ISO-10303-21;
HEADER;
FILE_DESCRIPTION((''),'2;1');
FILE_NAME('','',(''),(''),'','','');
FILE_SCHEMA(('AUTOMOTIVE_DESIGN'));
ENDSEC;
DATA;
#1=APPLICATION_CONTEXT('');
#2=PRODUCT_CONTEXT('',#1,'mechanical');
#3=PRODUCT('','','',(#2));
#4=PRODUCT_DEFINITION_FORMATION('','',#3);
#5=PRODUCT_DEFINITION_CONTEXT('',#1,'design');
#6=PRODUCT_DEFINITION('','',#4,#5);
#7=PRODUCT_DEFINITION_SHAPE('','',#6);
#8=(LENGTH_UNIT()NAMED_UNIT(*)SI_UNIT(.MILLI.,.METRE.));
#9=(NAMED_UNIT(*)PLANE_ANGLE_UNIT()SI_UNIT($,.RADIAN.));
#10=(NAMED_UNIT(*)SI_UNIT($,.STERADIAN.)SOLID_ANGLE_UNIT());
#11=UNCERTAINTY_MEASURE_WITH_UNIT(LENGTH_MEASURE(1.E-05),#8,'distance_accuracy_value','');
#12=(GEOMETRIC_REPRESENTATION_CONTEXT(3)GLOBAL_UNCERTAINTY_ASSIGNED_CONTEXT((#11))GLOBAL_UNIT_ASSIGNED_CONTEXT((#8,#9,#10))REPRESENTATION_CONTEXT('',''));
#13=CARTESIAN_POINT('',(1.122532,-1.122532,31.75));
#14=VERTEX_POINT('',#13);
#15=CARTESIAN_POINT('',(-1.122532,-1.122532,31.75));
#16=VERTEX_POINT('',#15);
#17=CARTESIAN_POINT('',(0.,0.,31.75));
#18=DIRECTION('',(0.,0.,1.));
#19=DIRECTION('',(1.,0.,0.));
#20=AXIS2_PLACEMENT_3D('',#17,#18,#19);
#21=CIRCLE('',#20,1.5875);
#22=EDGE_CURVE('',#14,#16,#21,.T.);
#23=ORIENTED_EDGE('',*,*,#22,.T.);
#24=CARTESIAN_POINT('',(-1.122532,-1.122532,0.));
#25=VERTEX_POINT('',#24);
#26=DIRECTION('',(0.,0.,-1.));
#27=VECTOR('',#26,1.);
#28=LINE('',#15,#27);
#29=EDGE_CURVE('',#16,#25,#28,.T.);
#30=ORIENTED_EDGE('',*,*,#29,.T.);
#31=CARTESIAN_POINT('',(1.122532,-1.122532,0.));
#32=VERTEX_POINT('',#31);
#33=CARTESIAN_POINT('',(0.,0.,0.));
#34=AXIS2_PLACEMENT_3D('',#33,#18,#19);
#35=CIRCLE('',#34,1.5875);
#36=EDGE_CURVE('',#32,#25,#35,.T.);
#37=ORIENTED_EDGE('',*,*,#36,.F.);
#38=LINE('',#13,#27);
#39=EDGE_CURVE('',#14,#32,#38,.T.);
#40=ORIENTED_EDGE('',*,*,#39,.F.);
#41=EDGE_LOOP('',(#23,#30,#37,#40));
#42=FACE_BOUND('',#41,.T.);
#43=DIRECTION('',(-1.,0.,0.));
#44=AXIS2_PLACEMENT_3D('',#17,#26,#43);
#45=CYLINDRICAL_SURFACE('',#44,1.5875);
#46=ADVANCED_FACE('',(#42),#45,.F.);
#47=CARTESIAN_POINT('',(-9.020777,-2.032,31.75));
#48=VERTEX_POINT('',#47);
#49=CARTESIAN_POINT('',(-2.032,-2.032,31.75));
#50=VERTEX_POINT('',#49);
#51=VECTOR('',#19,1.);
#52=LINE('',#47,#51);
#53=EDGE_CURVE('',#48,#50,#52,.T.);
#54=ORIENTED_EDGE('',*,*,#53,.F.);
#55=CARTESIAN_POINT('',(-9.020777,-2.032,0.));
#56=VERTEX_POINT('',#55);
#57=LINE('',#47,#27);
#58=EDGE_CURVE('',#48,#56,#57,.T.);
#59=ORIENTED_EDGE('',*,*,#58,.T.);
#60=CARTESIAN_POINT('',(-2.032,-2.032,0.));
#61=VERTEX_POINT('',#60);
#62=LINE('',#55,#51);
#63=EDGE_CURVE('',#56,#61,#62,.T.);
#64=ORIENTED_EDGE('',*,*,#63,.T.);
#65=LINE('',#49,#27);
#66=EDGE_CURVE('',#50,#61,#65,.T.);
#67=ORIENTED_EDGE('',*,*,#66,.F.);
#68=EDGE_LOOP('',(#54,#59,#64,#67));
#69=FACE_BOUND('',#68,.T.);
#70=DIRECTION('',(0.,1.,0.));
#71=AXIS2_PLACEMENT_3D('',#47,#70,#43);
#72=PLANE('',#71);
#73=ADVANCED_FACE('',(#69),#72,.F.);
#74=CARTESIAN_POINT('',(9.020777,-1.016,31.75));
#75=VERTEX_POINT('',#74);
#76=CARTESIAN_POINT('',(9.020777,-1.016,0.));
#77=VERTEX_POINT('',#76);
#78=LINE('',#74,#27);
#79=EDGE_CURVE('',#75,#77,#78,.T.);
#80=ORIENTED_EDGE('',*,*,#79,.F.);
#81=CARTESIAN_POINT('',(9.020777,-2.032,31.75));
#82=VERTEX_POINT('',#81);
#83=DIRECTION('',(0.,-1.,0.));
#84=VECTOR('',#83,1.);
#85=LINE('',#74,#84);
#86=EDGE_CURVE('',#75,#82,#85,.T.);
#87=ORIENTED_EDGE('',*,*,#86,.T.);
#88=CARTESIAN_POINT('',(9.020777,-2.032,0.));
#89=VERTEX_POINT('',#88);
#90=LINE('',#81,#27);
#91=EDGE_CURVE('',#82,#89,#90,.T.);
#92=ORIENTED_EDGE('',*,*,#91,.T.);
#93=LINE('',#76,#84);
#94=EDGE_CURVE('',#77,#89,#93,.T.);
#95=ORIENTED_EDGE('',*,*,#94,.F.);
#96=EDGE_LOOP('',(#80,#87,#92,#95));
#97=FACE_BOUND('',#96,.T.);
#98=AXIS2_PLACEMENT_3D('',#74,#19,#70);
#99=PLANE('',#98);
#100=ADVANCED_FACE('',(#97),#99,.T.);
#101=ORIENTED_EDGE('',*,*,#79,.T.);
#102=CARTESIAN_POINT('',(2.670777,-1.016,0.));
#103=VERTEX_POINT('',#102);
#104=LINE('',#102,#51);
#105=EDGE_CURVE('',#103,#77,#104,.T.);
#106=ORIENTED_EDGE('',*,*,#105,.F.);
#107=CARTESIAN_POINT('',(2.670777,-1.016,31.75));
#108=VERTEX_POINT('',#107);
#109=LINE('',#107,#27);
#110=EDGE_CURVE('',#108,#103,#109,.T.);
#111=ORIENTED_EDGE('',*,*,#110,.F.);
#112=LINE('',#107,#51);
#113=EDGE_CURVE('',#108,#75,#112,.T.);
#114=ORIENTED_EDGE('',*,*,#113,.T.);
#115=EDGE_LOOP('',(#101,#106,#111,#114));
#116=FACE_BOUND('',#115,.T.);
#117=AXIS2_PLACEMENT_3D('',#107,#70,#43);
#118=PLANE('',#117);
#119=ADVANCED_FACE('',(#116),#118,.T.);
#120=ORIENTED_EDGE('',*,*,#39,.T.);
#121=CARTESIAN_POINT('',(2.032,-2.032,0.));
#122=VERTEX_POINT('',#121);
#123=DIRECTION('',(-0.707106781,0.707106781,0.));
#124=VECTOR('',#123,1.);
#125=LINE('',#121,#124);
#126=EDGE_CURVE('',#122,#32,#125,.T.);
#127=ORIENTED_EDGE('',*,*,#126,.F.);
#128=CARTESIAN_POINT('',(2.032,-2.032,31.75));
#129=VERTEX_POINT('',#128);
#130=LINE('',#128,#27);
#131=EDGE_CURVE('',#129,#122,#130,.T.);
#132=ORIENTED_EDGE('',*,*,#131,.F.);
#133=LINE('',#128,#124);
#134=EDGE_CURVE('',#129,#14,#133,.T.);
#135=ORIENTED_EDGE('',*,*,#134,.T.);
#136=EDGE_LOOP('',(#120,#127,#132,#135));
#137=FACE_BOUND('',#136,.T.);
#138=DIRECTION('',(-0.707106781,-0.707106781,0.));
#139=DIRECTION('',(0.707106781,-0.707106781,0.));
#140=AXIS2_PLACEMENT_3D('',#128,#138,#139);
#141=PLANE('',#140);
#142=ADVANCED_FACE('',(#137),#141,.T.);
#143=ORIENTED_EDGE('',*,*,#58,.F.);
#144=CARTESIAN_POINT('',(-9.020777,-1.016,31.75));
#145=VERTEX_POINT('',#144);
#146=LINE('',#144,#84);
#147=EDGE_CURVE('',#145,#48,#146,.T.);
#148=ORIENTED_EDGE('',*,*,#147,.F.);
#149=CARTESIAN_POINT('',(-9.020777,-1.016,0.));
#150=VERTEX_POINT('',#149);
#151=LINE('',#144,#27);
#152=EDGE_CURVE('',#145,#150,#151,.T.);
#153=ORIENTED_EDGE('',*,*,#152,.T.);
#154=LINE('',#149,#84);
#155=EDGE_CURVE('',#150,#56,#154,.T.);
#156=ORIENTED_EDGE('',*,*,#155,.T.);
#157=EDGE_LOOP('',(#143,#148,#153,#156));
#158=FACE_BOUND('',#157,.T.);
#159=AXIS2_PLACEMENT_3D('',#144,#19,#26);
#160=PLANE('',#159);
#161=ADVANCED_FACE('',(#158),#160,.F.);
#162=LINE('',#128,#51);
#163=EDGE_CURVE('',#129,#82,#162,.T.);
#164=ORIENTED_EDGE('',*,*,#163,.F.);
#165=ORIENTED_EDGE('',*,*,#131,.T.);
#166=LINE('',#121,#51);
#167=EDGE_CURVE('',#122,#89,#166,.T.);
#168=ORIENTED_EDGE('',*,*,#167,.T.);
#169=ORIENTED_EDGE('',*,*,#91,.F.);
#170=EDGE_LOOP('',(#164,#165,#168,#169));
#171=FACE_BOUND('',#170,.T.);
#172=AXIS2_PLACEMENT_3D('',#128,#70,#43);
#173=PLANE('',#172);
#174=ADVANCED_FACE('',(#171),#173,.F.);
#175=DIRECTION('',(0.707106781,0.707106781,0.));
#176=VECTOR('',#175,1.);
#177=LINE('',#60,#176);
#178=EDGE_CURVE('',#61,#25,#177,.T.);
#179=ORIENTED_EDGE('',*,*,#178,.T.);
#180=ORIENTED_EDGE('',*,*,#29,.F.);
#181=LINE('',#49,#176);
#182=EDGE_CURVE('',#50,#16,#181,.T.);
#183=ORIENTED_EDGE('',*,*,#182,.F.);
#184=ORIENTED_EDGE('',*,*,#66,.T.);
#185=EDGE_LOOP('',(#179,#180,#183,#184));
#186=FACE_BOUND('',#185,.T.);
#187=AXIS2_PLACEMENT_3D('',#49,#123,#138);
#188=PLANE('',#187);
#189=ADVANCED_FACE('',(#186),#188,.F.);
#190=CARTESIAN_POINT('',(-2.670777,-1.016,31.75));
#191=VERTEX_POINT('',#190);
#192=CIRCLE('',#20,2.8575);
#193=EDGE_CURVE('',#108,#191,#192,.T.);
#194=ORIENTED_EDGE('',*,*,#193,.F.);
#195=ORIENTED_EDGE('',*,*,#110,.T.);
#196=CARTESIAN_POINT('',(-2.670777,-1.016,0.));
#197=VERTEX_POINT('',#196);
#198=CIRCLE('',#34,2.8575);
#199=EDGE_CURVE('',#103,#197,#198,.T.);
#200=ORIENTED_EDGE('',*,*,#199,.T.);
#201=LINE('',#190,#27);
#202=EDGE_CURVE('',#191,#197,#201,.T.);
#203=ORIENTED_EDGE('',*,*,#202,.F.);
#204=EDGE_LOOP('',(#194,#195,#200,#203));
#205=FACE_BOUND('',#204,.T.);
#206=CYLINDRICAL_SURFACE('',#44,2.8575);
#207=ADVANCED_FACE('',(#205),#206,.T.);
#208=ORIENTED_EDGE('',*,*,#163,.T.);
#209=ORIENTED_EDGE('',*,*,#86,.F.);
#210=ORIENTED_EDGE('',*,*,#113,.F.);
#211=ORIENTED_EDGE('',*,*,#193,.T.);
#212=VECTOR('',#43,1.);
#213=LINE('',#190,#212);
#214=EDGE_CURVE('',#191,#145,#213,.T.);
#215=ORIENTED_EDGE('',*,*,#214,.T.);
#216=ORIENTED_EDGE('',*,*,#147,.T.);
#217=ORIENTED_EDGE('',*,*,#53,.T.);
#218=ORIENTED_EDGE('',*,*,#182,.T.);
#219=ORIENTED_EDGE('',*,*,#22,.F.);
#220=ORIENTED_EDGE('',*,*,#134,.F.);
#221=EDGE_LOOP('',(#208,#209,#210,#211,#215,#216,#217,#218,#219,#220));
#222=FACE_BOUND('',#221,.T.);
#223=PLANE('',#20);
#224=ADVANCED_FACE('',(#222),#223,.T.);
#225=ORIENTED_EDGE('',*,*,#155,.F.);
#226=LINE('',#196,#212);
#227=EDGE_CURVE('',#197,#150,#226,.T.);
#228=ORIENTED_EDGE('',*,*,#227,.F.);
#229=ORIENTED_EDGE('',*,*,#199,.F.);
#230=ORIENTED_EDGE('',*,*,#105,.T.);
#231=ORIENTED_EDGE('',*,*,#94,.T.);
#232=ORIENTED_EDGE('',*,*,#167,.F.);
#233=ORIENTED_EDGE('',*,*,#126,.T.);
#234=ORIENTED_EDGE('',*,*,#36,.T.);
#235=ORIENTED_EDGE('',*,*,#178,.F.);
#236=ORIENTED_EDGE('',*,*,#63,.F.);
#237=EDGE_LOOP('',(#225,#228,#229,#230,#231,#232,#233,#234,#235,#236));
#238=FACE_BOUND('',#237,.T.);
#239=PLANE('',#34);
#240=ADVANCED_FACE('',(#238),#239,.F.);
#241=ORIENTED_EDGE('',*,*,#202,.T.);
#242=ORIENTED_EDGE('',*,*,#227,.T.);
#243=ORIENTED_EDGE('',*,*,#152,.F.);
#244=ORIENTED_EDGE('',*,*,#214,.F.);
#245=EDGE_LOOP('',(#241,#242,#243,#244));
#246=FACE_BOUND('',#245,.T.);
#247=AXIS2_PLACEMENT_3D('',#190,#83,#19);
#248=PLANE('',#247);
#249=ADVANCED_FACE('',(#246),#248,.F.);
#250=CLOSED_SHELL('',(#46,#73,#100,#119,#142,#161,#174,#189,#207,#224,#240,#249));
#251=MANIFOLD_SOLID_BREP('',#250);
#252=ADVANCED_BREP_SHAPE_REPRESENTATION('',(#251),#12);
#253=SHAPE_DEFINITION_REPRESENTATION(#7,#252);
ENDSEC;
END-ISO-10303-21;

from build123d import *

# Parameters (mm, degrees)
BOSS_EXTRUDE1_DEPTH = 31.75


with BuildPart() as part:
    # Sketch1 → Boss-Extrude1 (new body)
    with BuildSketch(Plane.XY):
        with BuildLine():
            Line((-2.670777087, -1.016), (-9.020777087, -1.016))
            Line((-9.020777087, -1.016), (-9.020777087, -2.032))
            Line((-9.020777087, -2.032), (-2.032, -2.032))
            Line((-2.032, -2.032), (-1.122532015, -1.122532015))
            ThreePointArc((-1.122532015, -1.122532015), (0, 1.5875), (1.122532015, -1.122532015))
            Line((1.122532015, -1.122532015), (2.032, -2.032))
            Line((2.032, -2.032), (9.020777087, -2.032))
            Line((9.020777087, -2.032), (9.020777087, -1.016))
            Line((9.020777087, -1.016), (2.670777087, -1.016))
            ThreePointArc((2.670777087, -1.016), (0, 2.8575), (-2.670777087, -1.016))
        make_face()
    extrude(amount=BOSS_EXTRUDE1_DEPTH)


solid = part.part
